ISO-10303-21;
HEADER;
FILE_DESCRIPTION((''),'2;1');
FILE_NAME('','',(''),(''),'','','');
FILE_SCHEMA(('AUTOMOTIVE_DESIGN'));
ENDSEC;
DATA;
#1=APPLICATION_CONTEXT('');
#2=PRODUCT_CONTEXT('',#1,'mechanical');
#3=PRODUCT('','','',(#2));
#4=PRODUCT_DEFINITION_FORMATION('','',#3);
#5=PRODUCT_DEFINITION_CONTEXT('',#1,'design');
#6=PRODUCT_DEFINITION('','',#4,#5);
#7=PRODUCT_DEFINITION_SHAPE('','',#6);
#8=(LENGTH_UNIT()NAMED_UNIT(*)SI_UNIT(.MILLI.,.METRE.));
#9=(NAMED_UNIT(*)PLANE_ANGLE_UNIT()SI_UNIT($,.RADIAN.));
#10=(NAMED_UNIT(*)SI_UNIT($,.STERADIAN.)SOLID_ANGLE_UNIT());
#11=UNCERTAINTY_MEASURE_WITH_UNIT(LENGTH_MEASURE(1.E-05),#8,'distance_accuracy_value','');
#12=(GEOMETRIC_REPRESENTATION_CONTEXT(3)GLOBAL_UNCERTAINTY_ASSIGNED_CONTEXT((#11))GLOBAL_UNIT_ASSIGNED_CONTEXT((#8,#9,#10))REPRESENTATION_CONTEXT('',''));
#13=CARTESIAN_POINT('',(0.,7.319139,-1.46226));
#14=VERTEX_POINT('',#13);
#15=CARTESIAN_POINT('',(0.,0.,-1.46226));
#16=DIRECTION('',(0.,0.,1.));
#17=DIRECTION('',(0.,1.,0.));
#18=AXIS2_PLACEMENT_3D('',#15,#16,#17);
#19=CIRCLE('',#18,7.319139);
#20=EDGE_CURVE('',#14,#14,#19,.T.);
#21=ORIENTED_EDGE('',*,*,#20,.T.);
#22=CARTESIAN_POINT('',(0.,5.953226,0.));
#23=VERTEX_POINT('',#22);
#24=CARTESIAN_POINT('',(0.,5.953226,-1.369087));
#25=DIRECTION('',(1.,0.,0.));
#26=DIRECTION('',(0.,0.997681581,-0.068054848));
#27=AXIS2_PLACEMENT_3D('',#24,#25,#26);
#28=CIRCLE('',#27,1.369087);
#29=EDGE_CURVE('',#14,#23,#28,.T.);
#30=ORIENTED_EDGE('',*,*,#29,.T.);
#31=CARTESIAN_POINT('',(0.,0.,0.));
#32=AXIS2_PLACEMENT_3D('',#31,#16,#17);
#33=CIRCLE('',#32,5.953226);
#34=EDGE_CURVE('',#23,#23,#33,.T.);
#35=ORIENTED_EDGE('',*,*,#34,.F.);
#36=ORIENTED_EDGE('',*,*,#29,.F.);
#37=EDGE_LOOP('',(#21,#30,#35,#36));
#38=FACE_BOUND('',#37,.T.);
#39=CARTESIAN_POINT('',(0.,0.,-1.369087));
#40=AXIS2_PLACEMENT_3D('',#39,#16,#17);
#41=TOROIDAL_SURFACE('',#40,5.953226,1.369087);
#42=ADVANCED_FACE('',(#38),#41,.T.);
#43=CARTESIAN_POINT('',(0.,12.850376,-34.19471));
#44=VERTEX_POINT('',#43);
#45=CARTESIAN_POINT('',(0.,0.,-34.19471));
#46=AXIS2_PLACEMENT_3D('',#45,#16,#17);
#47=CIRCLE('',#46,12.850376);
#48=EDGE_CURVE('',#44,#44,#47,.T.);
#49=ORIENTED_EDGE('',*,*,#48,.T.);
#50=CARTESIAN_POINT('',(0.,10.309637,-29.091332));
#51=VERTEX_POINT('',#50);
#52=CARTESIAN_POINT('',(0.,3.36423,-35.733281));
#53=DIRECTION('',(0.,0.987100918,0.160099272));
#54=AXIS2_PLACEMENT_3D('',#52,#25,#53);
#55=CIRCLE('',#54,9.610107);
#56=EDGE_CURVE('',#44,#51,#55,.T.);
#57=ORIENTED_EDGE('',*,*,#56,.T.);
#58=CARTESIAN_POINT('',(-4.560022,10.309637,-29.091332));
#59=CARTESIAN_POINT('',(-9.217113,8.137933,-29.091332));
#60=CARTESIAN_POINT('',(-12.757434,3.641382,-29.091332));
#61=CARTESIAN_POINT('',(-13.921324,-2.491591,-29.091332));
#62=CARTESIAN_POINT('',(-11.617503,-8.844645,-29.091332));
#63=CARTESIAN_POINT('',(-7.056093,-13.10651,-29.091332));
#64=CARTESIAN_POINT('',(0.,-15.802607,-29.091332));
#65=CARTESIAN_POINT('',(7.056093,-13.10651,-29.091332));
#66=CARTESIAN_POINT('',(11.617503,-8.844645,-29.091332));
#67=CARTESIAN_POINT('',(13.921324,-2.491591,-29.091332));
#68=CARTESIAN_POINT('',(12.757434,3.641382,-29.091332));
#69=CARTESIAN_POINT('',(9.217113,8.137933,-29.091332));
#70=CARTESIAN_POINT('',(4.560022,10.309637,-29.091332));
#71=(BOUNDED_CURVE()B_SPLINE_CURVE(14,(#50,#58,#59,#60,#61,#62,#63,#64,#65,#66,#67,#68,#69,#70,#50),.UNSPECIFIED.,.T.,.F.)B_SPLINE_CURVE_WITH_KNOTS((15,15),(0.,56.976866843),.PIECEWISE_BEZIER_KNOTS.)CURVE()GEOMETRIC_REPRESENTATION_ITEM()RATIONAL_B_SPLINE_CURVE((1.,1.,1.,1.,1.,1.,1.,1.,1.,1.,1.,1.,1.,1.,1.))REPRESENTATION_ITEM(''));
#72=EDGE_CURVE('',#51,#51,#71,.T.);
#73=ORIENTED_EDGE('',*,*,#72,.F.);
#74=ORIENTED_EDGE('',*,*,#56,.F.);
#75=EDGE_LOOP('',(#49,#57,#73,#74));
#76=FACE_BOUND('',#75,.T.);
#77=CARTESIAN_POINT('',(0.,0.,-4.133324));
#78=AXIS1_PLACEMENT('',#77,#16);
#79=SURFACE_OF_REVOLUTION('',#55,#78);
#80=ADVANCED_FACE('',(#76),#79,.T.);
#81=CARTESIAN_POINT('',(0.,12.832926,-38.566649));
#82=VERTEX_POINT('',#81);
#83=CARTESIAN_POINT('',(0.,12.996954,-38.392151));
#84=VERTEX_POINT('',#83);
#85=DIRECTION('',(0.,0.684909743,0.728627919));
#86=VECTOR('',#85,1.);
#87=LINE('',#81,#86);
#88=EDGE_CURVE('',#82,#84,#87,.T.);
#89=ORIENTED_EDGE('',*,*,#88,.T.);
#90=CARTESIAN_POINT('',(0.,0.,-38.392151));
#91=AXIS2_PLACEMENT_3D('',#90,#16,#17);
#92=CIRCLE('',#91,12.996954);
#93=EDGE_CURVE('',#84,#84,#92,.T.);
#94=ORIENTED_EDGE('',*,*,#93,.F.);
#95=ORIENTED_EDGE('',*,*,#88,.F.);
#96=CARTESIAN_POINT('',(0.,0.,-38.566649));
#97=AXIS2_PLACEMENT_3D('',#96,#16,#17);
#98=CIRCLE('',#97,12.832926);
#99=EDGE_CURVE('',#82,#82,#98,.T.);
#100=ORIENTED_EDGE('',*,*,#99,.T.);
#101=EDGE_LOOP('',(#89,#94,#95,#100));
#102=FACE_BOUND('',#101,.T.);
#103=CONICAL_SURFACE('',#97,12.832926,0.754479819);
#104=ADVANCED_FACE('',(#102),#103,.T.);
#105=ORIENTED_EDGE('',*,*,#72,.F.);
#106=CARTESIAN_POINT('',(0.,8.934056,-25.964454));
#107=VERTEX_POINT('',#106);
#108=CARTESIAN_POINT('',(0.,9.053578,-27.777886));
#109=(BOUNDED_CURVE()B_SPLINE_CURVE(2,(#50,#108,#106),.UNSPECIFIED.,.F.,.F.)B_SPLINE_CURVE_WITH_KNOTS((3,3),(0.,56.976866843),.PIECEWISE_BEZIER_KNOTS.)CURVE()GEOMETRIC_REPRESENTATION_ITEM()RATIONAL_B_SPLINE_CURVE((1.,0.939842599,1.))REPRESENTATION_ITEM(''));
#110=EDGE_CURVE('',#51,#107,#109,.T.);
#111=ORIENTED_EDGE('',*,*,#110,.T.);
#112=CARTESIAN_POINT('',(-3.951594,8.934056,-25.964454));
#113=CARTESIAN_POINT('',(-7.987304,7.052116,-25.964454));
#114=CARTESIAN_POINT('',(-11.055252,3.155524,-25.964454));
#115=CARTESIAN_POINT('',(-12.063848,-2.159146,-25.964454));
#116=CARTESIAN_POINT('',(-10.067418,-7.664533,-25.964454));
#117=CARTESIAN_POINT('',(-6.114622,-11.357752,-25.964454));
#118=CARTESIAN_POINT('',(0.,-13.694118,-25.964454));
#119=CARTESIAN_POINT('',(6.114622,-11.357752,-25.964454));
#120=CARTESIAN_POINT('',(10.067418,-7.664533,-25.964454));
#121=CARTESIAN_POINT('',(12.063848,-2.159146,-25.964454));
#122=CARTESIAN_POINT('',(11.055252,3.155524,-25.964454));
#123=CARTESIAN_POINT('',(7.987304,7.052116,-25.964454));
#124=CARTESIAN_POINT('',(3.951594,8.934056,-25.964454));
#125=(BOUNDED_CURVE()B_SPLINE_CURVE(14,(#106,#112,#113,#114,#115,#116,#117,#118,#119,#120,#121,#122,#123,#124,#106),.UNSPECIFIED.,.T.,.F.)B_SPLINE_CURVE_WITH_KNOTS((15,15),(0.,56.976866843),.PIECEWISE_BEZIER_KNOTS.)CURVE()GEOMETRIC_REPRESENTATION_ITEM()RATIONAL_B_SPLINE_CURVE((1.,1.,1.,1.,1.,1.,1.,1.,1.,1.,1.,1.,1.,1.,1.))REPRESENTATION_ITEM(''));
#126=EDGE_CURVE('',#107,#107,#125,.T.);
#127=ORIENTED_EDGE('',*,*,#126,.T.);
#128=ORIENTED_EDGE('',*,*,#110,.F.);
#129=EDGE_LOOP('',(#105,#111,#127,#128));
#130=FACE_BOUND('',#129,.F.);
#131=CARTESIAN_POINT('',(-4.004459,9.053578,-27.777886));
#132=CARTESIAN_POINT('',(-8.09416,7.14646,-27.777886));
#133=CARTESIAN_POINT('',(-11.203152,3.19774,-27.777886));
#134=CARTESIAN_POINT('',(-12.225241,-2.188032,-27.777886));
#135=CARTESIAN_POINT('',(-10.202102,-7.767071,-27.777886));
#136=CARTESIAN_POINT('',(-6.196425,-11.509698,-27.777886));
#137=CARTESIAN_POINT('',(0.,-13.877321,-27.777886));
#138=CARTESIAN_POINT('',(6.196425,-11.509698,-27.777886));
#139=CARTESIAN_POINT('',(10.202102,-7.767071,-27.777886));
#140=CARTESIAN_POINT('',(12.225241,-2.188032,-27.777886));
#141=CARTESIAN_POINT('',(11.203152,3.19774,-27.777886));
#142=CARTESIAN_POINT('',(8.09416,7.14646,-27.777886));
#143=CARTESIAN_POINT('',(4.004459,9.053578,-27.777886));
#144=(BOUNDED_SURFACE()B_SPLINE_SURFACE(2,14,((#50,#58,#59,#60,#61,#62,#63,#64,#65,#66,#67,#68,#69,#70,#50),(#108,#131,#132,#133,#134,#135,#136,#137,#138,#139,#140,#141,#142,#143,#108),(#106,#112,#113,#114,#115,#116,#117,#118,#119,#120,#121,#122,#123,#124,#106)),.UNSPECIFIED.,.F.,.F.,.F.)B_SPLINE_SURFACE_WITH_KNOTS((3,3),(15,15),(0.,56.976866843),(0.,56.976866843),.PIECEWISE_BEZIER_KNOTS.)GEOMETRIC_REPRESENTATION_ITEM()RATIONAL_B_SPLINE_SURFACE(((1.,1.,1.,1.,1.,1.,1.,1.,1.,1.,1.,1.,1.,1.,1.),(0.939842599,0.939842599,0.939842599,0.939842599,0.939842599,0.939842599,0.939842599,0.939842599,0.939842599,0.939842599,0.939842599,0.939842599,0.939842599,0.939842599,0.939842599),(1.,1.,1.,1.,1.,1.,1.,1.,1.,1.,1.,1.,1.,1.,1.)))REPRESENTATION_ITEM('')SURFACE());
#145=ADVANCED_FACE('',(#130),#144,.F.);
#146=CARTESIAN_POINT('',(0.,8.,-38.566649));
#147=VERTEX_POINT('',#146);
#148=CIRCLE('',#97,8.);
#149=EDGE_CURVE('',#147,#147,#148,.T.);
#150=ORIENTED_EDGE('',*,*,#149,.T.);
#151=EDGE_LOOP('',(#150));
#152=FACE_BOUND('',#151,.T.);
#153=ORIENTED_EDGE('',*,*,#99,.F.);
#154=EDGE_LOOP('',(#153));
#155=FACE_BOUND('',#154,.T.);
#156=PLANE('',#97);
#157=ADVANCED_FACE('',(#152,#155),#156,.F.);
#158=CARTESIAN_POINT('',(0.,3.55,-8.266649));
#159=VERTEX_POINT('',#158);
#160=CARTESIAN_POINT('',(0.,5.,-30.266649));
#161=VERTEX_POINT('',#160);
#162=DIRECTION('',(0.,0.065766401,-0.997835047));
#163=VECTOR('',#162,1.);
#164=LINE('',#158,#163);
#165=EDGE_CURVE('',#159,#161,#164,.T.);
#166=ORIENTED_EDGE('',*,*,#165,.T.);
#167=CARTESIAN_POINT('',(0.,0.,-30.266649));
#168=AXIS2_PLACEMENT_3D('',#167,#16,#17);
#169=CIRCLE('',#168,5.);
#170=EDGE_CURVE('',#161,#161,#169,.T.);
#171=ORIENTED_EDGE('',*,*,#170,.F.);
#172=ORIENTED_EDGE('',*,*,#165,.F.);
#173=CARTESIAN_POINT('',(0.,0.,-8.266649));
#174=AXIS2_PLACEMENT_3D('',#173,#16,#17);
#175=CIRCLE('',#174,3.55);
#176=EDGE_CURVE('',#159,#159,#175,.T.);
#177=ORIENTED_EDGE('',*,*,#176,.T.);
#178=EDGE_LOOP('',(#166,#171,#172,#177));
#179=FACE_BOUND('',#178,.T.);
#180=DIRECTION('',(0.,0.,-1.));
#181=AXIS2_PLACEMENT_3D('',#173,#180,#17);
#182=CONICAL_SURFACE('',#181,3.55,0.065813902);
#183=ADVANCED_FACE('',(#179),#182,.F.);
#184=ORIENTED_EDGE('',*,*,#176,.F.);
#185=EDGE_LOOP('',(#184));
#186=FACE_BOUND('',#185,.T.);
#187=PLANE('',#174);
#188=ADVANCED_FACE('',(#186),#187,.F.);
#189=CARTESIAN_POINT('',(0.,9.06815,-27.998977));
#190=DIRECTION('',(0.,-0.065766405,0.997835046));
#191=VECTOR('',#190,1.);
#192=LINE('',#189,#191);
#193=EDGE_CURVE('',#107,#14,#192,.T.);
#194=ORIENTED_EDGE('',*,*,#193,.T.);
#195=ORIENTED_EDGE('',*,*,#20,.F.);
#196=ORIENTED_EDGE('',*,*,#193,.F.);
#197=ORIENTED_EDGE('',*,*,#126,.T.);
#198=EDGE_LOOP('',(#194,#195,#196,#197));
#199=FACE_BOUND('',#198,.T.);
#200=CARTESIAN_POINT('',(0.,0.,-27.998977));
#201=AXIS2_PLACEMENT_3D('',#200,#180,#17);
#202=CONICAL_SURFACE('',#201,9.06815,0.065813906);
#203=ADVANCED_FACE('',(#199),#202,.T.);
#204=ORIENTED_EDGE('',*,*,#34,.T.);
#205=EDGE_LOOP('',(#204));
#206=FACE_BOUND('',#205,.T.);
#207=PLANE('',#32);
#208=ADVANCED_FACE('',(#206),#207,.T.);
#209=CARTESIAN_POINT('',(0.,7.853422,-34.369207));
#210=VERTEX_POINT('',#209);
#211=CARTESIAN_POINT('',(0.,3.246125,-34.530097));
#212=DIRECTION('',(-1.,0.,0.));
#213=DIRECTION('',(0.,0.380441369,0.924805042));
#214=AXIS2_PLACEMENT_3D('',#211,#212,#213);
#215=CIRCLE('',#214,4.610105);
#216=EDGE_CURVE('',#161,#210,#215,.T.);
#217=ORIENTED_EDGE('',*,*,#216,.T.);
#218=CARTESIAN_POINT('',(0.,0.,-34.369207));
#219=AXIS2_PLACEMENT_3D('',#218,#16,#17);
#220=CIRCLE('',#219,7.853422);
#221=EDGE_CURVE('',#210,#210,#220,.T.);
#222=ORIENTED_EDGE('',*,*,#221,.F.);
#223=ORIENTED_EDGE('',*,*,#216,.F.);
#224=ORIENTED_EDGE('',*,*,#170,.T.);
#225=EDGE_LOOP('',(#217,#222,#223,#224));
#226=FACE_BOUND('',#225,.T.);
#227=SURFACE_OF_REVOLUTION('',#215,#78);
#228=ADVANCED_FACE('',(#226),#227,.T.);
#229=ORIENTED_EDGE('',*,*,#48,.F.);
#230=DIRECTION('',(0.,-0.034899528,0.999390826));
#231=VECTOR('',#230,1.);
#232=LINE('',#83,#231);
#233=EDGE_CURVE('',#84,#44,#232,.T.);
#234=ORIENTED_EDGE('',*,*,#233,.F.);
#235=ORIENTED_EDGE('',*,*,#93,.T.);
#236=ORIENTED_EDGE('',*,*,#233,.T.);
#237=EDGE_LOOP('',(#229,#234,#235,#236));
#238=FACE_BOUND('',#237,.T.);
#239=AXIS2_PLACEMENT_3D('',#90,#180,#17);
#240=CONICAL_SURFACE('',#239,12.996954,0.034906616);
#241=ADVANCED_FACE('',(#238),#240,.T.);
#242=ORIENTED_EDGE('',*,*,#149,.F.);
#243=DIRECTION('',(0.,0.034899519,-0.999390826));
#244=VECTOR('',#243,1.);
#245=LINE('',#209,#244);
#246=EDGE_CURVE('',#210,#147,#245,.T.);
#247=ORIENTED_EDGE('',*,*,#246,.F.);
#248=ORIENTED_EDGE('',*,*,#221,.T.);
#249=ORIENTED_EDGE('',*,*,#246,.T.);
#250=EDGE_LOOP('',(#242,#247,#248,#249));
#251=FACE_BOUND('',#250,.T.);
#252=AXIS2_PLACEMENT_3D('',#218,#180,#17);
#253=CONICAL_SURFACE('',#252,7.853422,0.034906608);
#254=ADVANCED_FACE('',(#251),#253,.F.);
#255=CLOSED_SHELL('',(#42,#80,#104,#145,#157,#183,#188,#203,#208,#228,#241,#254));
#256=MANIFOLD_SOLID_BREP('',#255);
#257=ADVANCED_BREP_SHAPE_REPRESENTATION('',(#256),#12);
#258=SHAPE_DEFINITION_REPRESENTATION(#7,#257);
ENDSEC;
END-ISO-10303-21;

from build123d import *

# Parameters (mm, degrees)
F2_R = 5


with BuildPart() as f1:
    # F0 (on Right) → F1 (revolve)
    with BuildSketch(Plane.YZ):
        with BuildLine():
            Line((8, -38.566649), (12.832926, -38.566649))
            Line((12.832926, -38.566649), (12.996954, -38.392151))
            Line((12.996954, -38.392151), (12.850376, -34.19471))
            ThreePointArc((12.850376, -34.19471), (11.566748, -30.726), (9.06815, -27.998977))
            Line((9.06815, -27.998977), (7.319139, -1.46226))
            ThreePointArc((7.319139, -1.46226), (6.953716, -0.434518), (5.953226, 0))
            Line((5.953226, 0), (0, 0))
            Line((0, 0), (0, -8.266649))
            Line((0, -8.266649), (3.55, -8.266649))
            Line((3.55, -8.266649), (5, -30.266649))
            ThreePointArc((5, -30.266649), (7.030814, -31.89776), (7.853422, -34.369207))
            Line((7.853422, -34.369207), (8, -38.566649))
        make_face()
    revolve(axis=Axis((0, 0, -4.133324), (0, 0, 1)))

    # F2
    f2_edges = [f1.edges().sort_by_distance(p)[0] for p in [
        (0, -9.06815, -27.998977),
    ]]
    fillet(f2_edges, radius=F2_R)


solid = f1.part
